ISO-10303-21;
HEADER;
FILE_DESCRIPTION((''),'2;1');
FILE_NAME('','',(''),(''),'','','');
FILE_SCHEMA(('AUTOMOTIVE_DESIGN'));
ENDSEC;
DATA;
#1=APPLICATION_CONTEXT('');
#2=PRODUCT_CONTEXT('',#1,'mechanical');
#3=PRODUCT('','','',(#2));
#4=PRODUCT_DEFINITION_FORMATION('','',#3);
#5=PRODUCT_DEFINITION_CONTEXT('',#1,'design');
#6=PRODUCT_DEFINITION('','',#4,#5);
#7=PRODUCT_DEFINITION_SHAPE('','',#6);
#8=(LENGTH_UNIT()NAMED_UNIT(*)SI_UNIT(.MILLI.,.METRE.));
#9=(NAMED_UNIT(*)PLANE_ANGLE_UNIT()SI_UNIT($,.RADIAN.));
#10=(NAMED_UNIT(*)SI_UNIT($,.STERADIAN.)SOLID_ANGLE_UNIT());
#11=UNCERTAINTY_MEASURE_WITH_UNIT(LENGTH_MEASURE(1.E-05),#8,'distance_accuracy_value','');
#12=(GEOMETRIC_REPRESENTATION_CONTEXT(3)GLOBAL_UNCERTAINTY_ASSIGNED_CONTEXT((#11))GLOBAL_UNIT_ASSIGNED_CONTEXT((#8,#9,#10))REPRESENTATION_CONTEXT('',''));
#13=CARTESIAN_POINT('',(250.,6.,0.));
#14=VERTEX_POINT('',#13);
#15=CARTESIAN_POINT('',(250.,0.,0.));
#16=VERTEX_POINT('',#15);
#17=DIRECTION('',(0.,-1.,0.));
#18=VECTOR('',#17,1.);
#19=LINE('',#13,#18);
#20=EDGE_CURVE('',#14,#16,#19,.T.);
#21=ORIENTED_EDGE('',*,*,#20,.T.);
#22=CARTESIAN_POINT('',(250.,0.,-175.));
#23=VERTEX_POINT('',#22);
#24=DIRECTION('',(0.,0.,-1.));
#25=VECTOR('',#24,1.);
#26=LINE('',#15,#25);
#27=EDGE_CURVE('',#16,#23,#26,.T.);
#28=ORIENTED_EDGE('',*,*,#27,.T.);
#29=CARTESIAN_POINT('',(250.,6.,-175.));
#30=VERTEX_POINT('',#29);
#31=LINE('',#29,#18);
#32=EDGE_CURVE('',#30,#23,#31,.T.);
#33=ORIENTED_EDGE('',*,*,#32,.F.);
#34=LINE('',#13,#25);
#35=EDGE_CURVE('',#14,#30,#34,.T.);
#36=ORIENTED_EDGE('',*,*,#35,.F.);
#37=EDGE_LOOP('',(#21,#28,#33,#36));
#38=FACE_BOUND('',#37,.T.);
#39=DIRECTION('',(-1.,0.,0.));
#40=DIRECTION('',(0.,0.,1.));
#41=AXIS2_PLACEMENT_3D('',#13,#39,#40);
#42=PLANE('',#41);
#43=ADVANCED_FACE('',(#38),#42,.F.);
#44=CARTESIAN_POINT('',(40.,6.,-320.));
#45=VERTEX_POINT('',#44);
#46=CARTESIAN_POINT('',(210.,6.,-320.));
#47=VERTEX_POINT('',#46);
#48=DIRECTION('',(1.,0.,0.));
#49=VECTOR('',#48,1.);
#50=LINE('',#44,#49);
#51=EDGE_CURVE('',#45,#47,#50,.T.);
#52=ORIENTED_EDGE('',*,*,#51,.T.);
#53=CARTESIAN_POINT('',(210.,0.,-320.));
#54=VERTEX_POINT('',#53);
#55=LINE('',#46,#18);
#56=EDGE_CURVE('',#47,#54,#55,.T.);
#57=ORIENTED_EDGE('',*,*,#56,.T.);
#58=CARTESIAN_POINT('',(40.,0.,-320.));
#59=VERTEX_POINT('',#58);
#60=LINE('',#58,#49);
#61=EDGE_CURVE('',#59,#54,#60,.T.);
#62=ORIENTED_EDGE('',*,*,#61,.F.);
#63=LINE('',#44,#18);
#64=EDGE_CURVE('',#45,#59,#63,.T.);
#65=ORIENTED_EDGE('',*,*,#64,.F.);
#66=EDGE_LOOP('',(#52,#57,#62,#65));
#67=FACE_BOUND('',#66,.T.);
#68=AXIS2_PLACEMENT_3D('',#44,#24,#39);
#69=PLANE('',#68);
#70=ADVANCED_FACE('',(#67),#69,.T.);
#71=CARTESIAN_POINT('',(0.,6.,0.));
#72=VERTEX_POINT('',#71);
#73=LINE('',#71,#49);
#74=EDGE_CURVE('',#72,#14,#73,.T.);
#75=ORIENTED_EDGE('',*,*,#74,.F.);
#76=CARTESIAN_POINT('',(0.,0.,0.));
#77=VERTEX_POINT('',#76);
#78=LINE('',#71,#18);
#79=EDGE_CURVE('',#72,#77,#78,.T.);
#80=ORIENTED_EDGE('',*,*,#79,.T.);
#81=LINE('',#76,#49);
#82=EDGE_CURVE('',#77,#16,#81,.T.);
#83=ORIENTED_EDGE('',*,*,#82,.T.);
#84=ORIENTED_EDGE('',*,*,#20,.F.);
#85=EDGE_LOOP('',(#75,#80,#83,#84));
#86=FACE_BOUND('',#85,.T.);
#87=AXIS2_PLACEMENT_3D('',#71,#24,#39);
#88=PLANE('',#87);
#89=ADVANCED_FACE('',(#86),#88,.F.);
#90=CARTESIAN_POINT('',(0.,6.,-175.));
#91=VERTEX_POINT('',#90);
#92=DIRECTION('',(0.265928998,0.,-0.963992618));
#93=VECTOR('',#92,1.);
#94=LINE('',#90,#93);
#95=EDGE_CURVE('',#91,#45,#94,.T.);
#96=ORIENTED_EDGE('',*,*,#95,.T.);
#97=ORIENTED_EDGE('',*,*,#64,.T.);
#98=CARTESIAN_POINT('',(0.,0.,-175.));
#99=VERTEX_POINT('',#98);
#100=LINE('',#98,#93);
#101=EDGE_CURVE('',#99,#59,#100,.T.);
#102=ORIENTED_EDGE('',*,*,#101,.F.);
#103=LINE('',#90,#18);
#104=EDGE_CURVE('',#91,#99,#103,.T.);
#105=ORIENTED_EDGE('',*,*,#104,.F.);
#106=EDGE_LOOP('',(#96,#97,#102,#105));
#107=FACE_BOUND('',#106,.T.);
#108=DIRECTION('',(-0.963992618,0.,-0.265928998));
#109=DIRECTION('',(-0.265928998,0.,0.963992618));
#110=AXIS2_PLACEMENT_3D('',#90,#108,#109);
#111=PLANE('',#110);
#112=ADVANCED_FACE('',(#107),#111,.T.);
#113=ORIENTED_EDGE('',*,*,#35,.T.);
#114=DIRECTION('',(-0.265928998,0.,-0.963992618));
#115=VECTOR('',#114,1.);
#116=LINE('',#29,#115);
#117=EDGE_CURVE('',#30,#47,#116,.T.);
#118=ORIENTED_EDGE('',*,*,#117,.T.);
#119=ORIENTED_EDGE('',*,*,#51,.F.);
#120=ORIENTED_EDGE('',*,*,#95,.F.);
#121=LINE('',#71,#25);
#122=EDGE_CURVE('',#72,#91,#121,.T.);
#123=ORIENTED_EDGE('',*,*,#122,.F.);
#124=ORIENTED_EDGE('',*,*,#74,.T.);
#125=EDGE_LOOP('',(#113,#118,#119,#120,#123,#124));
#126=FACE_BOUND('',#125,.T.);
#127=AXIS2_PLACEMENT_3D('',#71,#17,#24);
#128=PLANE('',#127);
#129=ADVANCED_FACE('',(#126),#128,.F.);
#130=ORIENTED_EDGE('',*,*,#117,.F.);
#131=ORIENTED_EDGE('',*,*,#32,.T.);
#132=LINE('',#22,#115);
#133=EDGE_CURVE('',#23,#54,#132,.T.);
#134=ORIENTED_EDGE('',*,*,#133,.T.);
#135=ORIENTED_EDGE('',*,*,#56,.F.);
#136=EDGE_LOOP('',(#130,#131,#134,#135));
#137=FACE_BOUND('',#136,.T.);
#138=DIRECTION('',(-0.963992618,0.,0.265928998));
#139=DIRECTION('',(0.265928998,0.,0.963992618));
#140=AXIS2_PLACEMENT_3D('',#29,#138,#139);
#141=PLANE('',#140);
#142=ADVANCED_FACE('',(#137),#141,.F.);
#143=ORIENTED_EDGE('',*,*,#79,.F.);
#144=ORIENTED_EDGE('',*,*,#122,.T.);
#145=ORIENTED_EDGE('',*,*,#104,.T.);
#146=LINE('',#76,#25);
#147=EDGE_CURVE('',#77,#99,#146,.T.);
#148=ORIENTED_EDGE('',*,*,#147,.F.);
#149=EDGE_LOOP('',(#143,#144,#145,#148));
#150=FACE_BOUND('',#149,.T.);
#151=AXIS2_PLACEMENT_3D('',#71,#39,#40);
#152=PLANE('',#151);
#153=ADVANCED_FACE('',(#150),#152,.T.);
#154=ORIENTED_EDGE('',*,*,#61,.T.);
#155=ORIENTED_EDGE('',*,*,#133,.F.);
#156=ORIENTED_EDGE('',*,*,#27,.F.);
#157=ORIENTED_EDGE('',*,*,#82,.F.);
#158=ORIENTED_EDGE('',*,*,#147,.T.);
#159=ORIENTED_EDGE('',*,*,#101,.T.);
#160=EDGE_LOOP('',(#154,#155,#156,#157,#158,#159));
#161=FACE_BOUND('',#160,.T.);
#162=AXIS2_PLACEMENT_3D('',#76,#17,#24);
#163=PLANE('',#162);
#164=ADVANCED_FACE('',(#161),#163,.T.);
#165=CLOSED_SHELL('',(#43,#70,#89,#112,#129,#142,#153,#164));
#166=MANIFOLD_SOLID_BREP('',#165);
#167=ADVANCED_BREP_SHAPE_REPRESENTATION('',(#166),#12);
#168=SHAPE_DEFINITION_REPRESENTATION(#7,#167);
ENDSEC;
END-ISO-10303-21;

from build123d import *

# Parameters (mm, degrees)
BOSS_EXTRUDE1_DEPTH = 6


with BuildPart() as part:
    # Sketch1 → Boss-Extrude1 (new body)
    with BuildSketch(Plane(origin=(0, 0, 0), x_dir=(1, 0, 0), z_dir=(0, 1, 0))):
        Polygon((0, 0), (250, 0), (250, 175), (210, 320), (40, 320), (0, 175), align=None)
    extrude(amount=BOSS_EXTRUDE1_DEPTH)


solid = part.part
